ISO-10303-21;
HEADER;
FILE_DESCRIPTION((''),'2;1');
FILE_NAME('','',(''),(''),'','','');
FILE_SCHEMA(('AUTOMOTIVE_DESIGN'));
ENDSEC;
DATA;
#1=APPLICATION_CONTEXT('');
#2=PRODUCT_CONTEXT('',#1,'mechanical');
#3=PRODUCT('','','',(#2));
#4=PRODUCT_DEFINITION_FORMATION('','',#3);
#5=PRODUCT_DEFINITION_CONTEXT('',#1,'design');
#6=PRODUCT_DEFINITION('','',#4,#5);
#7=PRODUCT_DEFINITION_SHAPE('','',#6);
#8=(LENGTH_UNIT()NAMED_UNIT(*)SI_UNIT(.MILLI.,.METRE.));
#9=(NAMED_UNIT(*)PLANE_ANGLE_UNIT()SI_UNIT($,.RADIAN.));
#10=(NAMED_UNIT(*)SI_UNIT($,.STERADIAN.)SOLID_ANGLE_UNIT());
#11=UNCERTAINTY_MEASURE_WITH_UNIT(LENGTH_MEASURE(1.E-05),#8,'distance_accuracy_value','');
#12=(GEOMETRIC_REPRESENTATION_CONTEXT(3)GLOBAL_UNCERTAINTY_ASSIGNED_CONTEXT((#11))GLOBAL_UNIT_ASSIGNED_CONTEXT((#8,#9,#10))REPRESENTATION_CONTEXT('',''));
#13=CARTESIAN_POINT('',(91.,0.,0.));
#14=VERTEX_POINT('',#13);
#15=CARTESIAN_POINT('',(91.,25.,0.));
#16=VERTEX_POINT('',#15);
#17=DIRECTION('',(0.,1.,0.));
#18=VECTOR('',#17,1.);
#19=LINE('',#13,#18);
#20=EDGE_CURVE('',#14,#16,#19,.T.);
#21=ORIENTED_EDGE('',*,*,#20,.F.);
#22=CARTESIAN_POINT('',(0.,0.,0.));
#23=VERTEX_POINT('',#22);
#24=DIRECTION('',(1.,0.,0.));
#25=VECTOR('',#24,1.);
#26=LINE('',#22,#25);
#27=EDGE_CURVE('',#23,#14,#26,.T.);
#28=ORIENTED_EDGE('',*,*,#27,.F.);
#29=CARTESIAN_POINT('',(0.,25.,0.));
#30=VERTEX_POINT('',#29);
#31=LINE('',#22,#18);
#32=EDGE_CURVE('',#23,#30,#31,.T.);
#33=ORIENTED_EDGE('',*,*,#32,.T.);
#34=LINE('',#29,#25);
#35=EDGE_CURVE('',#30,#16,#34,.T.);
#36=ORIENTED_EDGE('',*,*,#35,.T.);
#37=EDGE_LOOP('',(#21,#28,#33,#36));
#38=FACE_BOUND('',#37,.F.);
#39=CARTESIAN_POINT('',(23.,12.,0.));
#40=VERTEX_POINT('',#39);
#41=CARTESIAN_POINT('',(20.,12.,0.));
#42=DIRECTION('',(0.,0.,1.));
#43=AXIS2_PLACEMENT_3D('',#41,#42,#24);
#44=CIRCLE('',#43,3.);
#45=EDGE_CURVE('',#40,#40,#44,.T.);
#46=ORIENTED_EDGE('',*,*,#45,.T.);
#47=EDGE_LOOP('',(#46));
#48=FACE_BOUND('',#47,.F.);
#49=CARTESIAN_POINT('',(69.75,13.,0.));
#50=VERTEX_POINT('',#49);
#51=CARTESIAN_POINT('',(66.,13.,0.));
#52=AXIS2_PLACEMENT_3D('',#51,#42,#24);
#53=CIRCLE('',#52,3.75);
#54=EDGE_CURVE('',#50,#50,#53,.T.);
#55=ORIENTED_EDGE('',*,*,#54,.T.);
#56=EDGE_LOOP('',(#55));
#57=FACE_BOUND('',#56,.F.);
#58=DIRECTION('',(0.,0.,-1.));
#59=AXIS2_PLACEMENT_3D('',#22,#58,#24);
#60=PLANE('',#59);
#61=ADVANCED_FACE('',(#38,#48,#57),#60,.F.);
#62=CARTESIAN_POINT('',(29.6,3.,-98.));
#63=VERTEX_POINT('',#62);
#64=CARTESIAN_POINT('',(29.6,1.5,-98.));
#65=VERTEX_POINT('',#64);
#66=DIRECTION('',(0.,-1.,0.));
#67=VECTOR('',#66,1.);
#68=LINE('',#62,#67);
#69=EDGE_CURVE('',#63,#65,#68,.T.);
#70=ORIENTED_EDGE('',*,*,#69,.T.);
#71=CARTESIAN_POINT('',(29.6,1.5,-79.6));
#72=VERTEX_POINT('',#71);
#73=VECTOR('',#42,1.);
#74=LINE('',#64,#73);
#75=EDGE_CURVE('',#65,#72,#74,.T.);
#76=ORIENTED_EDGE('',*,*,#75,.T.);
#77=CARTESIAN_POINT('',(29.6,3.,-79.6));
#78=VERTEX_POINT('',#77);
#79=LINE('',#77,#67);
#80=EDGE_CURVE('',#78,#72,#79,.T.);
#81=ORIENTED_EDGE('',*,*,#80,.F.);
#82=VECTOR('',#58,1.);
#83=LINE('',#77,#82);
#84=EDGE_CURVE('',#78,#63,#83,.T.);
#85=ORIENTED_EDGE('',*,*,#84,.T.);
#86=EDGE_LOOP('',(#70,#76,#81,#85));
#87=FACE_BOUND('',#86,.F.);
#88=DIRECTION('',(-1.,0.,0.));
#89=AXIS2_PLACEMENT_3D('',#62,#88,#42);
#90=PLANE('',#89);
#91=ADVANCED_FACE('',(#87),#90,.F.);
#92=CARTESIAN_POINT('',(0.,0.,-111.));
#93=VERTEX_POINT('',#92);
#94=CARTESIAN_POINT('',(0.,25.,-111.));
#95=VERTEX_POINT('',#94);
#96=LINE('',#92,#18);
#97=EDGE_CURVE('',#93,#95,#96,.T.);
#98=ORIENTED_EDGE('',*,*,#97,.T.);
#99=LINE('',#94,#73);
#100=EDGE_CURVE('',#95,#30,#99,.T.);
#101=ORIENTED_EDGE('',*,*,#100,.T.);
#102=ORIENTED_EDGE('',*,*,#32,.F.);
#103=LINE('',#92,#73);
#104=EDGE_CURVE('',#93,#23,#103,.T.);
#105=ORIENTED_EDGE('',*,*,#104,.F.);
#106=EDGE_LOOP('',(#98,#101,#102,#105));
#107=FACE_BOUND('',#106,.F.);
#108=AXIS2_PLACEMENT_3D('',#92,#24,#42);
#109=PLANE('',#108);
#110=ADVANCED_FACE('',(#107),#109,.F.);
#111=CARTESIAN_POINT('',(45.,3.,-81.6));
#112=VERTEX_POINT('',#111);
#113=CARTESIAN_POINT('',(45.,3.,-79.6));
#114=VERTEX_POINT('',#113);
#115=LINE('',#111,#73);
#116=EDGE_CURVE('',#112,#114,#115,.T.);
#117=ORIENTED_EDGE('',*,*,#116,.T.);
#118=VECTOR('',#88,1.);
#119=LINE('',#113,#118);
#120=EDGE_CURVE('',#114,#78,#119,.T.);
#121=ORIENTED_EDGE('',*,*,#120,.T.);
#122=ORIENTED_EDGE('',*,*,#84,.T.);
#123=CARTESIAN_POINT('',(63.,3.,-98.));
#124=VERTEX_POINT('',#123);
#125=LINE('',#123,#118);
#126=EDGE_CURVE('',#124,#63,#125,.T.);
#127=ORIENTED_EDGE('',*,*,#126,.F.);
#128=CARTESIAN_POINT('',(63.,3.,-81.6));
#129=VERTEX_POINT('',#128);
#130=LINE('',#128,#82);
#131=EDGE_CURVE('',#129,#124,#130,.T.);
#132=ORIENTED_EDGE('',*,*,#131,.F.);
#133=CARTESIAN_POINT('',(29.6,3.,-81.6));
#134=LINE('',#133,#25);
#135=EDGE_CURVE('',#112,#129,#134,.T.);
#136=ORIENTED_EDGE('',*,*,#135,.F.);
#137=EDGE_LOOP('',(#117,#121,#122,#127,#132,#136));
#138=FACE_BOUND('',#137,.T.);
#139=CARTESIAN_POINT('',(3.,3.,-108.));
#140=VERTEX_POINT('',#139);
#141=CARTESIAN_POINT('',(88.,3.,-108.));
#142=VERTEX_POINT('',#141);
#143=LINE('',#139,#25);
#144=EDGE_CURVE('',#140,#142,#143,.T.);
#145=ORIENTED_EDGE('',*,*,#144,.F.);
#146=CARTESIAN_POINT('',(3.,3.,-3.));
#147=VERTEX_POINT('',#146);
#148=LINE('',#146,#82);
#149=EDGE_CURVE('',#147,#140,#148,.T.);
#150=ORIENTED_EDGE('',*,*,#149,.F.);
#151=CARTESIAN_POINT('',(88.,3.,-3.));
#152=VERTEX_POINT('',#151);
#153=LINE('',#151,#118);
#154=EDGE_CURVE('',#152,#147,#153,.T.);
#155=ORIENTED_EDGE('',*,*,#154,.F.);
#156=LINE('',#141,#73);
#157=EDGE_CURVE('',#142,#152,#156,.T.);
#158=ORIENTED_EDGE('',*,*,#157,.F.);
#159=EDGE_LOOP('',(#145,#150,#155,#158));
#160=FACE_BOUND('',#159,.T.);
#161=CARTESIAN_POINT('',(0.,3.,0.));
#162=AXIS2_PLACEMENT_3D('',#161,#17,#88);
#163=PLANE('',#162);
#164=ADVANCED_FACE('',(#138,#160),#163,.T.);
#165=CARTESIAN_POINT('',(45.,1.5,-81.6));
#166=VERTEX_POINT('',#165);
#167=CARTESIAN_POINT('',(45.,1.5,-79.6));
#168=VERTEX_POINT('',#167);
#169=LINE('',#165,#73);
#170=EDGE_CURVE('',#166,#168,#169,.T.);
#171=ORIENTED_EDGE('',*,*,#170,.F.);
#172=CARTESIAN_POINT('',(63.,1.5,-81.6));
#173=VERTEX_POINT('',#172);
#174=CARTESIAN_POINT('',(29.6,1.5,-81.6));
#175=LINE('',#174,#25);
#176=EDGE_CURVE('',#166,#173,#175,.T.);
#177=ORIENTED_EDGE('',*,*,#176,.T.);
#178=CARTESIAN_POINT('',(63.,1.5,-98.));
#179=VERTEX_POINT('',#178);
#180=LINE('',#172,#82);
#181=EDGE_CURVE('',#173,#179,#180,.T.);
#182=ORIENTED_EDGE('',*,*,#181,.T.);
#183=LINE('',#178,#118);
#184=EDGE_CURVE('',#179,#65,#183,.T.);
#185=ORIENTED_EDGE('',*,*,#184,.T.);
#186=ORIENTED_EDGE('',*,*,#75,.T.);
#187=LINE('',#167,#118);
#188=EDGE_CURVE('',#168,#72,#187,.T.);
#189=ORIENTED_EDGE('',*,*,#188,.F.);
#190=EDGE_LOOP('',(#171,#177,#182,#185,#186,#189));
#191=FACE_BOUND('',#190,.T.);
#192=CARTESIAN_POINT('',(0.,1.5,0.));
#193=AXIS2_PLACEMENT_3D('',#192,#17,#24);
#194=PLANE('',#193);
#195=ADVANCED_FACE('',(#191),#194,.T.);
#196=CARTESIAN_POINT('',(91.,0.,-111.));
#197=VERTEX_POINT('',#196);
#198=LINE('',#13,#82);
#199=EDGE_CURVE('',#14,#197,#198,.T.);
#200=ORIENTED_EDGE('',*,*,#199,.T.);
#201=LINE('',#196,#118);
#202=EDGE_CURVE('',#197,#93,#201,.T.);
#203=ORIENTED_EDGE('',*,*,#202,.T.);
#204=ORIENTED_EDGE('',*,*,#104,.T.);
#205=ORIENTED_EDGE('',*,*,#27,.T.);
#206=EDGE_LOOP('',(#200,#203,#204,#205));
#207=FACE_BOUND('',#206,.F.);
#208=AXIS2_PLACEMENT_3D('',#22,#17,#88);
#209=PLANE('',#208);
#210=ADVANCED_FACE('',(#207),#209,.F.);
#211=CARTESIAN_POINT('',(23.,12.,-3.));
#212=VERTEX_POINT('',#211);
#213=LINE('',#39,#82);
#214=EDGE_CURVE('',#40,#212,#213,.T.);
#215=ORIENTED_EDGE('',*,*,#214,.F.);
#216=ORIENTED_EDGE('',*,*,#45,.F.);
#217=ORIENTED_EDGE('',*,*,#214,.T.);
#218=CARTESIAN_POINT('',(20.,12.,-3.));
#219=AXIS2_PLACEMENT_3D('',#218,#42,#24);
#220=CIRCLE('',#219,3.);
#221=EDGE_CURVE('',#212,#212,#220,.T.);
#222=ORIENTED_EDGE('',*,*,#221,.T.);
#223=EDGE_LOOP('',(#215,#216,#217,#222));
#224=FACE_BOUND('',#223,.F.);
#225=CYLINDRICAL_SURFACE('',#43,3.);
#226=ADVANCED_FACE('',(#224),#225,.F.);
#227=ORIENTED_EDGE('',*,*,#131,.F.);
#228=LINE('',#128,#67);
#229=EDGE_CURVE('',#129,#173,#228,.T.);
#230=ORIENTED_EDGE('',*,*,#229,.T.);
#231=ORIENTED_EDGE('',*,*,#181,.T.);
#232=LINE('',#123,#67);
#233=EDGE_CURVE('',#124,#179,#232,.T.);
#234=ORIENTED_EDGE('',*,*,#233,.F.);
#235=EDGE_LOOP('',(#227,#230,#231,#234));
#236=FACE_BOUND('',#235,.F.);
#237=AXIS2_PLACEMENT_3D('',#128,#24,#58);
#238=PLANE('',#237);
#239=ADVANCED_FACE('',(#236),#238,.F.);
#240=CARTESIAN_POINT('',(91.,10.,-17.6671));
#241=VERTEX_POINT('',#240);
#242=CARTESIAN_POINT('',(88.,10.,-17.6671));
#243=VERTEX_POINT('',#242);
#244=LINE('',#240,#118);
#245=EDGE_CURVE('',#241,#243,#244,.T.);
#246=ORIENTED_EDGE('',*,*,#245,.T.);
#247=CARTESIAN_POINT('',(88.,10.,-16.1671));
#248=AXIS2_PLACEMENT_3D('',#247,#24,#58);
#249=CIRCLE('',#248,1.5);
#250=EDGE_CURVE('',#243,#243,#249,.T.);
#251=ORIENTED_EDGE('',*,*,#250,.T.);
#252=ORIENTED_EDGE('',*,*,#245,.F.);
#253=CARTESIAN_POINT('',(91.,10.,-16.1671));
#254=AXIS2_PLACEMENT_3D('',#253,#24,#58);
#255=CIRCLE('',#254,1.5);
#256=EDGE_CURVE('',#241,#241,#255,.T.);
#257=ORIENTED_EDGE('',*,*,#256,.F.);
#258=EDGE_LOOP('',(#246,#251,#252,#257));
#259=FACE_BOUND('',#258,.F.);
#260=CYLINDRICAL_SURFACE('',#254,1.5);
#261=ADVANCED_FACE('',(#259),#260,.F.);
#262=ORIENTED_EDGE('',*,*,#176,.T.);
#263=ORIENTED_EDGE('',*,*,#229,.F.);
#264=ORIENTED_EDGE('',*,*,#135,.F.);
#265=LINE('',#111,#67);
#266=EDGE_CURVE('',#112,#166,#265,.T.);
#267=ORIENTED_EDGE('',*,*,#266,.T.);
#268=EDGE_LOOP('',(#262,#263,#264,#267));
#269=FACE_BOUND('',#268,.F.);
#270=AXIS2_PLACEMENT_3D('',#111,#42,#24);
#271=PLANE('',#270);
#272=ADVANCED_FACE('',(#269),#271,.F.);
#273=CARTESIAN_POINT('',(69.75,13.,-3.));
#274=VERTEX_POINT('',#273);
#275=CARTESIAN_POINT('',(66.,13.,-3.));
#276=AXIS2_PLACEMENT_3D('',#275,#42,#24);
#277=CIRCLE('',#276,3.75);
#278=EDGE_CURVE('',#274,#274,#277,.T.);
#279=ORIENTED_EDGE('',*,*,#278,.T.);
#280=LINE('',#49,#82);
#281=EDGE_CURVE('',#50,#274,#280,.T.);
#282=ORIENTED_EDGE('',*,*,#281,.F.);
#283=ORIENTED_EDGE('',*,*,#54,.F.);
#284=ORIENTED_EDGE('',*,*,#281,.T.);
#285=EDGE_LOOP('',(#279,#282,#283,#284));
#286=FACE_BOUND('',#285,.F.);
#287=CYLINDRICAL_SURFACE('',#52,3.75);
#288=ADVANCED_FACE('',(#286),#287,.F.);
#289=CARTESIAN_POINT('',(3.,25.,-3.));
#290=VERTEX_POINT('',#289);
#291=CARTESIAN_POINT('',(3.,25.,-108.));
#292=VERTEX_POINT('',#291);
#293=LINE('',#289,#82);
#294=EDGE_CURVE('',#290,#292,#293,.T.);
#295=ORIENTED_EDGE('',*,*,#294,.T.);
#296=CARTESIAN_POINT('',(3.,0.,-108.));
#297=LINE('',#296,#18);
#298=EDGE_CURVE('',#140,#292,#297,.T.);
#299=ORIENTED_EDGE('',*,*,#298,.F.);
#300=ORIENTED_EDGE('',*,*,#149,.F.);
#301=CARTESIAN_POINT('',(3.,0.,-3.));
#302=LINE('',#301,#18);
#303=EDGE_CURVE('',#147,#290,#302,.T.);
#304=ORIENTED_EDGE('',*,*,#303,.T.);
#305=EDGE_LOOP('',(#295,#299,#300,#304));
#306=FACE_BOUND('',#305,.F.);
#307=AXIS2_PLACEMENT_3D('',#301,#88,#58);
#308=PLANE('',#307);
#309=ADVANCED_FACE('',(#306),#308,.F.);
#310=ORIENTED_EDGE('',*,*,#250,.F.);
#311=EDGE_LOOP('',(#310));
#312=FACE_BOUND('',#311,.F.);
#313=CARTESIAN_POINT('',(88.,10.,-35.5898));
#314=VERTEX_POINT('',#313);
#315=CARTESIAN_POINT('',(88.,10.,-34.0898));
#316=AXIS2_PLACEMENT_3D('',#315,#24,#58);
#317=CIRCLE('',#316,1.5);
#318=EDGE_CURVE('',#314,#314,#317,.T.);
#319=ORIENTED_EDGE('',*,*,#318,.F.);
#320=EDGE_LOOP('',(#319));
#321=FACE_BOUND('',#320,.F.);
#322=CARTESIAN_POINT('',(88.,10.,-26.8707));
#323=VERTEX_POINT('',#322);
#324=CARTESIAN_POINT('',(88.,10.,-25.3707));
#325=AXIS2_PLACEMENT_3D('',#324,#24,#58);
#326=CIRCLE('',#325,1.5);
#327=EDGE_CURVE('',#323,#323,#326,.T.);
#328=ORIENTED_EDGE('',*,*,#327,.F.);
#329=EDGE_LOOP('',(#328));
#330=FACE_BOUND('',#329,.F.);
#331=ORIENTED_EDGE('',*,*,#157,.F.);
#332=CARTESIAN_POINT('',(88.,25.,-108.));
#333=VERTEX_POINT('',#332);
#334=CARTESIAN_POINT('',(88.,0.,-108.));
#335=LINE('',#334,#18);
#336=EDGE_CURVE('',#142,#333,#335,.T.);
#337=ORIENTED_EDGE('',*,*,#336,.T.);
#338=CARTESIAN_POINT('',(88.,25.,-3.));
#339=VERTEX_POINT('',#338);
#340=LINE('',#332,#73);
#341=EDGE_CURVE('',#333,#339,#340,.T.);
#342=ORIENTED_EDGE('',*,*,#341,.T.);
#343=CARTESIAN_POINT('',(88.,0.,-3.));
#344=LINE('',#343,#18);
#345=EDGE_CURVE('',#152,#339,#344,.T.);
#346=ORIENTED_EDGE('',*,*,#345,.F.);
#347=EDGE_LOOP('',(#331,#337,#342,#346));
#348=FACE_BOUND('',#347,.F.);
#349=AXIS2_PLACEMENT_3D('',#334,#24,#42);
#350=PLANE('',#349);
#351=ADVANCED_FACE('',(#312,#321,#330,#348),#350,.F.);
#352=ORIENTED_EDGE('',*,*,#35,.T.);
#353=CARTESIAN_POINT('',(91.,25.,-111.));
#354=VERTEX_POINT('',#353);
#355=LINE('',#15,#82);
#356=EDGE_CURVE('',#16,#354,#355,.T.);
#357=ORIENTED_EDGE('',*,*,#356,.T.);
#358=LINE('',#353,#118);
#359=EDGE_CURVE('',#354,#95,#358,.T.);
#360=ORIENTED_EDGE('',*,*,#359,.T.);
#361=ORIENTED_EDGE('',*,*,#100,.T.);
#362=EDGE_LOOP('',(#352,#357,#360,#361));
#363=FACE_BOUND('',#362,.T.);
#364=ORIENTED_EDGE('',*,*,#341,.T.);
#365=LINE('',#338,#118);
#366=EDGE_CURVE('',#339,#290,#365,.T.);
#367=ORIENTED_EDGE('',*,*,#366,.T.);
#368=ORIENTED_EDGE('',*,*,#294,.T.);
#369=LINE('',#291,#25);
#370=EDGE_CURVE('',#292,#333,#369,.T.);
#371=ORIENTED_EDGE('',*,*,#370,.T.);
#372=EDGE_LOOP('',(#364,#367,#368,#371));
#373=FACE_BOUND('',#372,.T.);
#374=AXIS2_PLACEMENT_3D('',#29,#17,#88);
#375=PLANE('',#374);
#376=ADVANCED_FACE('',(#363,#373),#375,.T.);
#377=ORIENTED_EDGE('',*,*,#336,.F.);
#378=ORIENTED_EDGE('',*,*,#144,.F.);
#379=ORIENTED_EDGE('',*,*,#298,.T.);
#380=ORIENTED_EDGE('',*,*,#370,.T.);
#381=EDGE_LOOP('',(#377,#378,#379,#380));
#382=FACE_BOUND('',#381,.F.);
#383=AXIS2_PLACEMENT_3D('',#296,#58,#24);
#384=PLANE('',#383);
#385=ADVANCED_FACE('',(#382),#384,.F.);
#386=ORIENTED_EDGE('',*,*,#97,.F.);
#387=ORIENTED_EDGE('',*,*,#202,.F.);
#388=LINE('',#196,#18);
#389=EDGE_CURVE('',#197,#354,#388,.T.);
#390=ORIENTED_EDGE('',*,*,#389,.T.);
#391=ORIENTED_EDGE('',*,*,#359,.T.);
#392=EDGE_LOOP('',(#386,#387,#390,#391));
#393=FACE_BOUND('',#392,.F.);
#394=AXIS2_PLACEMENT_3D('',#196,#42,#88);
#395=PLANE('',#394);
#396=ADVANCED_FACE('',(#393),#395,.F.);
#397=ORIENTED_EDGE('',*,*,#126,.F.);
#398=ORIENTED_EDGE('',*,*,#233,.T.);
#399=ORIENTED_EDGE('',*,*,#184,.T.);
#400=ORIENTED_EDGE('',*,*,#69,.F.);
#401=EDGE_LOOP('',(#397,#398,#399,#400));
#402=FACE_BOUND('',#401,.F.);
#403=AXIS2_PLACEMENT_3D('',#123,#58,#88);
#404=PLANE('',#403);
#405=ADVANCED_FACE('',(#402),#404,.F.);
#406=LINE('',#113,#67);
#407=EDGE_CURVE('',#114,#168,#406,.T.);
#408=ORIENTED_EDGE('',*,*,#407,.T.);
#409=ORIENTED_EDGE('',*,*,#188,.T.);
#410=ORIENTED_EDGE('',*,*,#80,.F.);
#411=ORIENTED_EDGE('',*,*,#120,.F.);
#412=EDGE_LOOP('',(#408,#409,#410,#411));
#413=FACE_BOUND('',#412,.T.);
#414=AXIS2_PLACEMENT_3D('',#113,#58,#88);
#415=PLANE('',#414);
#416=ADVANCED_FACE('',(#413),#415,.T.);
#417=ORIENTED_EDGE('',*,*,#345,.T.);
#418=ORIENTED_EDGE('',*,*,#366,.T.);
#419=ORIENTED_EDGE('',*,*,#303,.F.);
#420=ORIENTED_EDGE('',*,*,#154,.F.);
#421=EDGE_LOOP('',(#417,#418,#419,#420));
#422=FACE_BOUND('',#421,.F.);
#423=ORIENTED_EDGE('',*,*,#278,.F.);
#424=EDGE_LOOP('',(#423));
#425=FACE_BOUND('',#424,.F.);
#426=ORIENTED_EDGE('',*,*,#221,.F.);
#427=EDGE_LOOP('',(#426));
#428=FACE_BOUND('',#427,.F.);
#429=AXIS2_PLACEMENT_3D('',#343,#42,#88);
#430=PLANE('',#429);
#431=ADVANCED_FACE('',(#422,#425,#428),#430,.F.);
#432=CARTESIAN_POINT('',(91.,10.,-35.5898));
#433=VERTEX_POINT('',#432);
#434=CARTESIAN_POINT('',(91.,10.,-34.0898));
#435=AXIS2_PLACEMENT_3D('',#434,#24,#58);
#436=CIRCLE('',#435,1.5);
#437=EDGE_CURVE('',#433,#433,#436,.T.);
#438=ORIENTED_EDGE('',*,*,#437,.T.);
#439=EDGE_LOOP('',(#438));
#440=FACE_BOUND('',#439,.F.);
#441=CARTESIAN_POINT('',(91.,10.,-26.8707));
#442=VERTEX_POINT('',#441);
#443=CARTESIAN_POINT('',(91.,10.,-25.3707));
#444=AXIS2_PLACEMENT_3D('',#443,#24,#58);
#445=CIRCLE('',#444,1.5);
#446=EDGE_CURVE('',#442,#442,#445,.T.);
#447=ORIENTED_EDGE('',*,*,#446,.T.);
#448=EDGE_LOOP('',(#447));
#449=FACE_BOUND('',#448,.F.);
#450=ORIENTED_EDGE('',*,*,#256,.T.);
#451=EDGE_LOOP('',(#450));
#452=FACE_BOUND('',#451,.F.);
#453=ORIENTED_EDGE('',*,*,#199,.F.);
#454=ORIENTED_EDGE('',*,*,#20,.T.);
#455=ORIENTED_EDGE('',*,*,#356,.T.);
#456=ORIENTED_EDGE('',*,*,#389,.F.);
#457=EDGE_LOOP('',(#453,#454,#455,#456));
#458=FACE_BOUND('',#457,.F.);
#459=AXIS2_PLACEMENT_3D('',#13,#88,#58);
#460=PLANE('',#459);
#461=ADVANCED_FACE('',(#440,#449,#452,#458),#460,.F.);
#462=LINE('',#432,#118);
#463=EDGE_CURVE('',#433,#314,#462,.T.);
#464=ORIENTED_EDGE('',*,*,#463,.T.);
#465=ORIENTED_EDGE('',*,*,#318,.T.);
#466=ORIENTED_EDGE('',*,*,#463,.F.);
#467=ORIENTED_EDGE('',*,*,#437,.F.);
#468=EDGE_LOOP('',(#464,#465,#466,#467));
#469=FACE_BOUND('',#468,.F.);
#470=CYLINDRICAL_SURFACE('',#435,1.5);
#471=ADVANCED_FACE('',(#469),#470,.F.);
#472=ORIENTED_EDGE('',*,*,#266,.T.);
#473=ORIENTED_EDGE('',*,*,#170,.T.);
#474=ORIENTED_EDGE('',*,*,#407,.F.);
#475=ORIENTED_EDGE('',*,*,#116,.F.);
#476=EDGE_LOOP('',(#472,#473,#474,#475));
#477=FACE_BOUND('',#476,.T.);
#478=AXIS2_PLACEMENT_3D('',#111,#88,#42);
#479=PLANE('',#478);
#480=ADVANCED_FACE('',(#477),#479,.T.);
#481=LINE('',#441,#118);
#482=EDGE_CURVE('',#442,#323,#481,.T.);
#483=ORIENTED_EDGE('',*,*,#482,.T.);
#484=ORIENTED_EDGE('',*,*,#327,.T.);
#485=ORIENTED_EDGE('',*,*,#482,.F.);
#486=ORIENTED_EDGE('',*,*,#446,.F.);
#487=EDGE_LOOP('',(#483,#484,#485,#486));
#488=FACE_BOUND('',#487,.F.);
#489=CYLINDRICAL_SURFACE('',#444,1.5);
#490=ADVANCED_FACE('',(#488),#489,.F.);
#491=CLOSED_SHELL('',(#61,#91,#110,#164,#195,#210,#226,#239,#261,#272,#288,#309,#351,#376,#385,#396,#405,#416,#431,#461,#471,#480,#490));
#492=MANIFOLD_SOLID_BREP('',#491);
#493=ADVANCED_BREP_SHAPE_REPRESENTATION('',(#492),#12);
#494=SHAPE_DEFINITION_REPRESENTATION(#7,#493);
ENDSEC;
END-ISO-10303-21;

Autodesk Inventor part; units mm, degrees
ref_plane "YZ Plane" through (0, 0, 0) normal (1, 0, 0) x (0, 1, 0)
ref_plane "XZ Plane" through (0, 0, 0) normal (0, 1, 0) x (-1, 0, 0)
ref_plane "XY Plane" through (0, 0, 0) normal (0, 0, 1) x (1, 0, 0)
sketch "Esboço1" plane through (0, 0, 0) normal (0, 1, 0) x (-1, 0, 0)
  line L0 (0, 0) -> (-91, 0)
  line L1 (-91, 0) -> (-91, -111)
  line L2 (-91, -111) -> (0, -111)
  line L3 (0, -111) -> (0, 0)
  line L4 (-3, -108) -> (-88, -108)
  line L5 (-88, -108) -> (-88, -3)
  line L6 (-88, -3) -> (-3, -3)
  line L7 (-3, -3) -> (-3, -108)
  dimension "d0" = 3
  dimension "d1" = 3
  dimension "d2" = 3
  dimension "d3" = 3
  dimension "d4" = 85
  dimension "d5" = 105
extrude "Extrusão1" add sketch "Esboço1" along normal blind 3 contours L4 L5 L6 L7
extrude "Extrusão2" add sketch "Esboço1" along normal blind 25
sketch "Esboço2" plane through (0, 0, 0) normal (0, 0, 1) x (1, 0, 0)
  circle A0 centre (20, 12) radius 3
  circle A1 centre (66, 13) radius 3.75
  line L0 (0, 0) -> (0, 25) projected
  line L1 (91, 0) -> (91, 25) projected
  line L2 (0, 0) -> (91, 0) projected
  point P0 (0, 12.5)
  dimension "d10" = 6
  dimension "d11" = 7.5
  dimension "d25" = 20
  dimension "d26" = 25
  dimension "d30" = 13
  dimension "d31" = 12
extrude "Extrusão3" cut sketch "Esboço2" against normal blind 30
sketch "Esboço3" plane through (91, 0, 0) normal (1, 0, 0) x (0, 0, -1)
  circle A0 centre (16.1671, 10) radius 1.5
  circle A1 centre (34.0898, 10) radius 1.5
  circle A2 centre (25.3707, 10) radius 1.5
  line L0 (0, 0) -> (111, 0) projected
  dimension "d14" = 3
  dimension "d15" = 3
  dimension "d16" = 3
  dimension "d32" = 10
  dimension "d33" = 10
  dimension "d34" = 10
extrude "Extrusão4" cut sketch "Esboço3" against normal blind 10
sketch "Esboço4" plane through (0, 3, 0) normal (0, 1, 0) x (1, 0, 0)
  line L0 (29.6, 81.6) -> (63, 81.6)
  line L1 (63, 81.6) -> (63, 98)
  line L2 (63, 98) -> (29.6, 98)
  line L3 (29.6, 98) -> (29.6, 81.6)
  line L4 (88, 108) -> (88, 3) projected
  line L5 (3, 108) -> (88, 108) projected
  line L6 (29.6, 81.6) -> (45, 81.6)
  line L7 (45, 81.6) -> (45, 79.6)
  line L8 (45, 79.6) -> (29.6, 79.6)
  line L9 (29.6, 79.6) -> (29.6, 81.6)
  point P0 (0, 0)
  point P1 (63, 89.8)
  dimension "d19" = 33.4
  dimension "d20" = 16.4
  dimension "d23" = 25
  dimension "d24" = 10
  dimension "d35" = 18.4
  dimension "d36" = 15.4
extrude "Extrusão5" cut sketch "Esboço4" against normal blind 1.5
properties part number "Caixa_3DPrint"
